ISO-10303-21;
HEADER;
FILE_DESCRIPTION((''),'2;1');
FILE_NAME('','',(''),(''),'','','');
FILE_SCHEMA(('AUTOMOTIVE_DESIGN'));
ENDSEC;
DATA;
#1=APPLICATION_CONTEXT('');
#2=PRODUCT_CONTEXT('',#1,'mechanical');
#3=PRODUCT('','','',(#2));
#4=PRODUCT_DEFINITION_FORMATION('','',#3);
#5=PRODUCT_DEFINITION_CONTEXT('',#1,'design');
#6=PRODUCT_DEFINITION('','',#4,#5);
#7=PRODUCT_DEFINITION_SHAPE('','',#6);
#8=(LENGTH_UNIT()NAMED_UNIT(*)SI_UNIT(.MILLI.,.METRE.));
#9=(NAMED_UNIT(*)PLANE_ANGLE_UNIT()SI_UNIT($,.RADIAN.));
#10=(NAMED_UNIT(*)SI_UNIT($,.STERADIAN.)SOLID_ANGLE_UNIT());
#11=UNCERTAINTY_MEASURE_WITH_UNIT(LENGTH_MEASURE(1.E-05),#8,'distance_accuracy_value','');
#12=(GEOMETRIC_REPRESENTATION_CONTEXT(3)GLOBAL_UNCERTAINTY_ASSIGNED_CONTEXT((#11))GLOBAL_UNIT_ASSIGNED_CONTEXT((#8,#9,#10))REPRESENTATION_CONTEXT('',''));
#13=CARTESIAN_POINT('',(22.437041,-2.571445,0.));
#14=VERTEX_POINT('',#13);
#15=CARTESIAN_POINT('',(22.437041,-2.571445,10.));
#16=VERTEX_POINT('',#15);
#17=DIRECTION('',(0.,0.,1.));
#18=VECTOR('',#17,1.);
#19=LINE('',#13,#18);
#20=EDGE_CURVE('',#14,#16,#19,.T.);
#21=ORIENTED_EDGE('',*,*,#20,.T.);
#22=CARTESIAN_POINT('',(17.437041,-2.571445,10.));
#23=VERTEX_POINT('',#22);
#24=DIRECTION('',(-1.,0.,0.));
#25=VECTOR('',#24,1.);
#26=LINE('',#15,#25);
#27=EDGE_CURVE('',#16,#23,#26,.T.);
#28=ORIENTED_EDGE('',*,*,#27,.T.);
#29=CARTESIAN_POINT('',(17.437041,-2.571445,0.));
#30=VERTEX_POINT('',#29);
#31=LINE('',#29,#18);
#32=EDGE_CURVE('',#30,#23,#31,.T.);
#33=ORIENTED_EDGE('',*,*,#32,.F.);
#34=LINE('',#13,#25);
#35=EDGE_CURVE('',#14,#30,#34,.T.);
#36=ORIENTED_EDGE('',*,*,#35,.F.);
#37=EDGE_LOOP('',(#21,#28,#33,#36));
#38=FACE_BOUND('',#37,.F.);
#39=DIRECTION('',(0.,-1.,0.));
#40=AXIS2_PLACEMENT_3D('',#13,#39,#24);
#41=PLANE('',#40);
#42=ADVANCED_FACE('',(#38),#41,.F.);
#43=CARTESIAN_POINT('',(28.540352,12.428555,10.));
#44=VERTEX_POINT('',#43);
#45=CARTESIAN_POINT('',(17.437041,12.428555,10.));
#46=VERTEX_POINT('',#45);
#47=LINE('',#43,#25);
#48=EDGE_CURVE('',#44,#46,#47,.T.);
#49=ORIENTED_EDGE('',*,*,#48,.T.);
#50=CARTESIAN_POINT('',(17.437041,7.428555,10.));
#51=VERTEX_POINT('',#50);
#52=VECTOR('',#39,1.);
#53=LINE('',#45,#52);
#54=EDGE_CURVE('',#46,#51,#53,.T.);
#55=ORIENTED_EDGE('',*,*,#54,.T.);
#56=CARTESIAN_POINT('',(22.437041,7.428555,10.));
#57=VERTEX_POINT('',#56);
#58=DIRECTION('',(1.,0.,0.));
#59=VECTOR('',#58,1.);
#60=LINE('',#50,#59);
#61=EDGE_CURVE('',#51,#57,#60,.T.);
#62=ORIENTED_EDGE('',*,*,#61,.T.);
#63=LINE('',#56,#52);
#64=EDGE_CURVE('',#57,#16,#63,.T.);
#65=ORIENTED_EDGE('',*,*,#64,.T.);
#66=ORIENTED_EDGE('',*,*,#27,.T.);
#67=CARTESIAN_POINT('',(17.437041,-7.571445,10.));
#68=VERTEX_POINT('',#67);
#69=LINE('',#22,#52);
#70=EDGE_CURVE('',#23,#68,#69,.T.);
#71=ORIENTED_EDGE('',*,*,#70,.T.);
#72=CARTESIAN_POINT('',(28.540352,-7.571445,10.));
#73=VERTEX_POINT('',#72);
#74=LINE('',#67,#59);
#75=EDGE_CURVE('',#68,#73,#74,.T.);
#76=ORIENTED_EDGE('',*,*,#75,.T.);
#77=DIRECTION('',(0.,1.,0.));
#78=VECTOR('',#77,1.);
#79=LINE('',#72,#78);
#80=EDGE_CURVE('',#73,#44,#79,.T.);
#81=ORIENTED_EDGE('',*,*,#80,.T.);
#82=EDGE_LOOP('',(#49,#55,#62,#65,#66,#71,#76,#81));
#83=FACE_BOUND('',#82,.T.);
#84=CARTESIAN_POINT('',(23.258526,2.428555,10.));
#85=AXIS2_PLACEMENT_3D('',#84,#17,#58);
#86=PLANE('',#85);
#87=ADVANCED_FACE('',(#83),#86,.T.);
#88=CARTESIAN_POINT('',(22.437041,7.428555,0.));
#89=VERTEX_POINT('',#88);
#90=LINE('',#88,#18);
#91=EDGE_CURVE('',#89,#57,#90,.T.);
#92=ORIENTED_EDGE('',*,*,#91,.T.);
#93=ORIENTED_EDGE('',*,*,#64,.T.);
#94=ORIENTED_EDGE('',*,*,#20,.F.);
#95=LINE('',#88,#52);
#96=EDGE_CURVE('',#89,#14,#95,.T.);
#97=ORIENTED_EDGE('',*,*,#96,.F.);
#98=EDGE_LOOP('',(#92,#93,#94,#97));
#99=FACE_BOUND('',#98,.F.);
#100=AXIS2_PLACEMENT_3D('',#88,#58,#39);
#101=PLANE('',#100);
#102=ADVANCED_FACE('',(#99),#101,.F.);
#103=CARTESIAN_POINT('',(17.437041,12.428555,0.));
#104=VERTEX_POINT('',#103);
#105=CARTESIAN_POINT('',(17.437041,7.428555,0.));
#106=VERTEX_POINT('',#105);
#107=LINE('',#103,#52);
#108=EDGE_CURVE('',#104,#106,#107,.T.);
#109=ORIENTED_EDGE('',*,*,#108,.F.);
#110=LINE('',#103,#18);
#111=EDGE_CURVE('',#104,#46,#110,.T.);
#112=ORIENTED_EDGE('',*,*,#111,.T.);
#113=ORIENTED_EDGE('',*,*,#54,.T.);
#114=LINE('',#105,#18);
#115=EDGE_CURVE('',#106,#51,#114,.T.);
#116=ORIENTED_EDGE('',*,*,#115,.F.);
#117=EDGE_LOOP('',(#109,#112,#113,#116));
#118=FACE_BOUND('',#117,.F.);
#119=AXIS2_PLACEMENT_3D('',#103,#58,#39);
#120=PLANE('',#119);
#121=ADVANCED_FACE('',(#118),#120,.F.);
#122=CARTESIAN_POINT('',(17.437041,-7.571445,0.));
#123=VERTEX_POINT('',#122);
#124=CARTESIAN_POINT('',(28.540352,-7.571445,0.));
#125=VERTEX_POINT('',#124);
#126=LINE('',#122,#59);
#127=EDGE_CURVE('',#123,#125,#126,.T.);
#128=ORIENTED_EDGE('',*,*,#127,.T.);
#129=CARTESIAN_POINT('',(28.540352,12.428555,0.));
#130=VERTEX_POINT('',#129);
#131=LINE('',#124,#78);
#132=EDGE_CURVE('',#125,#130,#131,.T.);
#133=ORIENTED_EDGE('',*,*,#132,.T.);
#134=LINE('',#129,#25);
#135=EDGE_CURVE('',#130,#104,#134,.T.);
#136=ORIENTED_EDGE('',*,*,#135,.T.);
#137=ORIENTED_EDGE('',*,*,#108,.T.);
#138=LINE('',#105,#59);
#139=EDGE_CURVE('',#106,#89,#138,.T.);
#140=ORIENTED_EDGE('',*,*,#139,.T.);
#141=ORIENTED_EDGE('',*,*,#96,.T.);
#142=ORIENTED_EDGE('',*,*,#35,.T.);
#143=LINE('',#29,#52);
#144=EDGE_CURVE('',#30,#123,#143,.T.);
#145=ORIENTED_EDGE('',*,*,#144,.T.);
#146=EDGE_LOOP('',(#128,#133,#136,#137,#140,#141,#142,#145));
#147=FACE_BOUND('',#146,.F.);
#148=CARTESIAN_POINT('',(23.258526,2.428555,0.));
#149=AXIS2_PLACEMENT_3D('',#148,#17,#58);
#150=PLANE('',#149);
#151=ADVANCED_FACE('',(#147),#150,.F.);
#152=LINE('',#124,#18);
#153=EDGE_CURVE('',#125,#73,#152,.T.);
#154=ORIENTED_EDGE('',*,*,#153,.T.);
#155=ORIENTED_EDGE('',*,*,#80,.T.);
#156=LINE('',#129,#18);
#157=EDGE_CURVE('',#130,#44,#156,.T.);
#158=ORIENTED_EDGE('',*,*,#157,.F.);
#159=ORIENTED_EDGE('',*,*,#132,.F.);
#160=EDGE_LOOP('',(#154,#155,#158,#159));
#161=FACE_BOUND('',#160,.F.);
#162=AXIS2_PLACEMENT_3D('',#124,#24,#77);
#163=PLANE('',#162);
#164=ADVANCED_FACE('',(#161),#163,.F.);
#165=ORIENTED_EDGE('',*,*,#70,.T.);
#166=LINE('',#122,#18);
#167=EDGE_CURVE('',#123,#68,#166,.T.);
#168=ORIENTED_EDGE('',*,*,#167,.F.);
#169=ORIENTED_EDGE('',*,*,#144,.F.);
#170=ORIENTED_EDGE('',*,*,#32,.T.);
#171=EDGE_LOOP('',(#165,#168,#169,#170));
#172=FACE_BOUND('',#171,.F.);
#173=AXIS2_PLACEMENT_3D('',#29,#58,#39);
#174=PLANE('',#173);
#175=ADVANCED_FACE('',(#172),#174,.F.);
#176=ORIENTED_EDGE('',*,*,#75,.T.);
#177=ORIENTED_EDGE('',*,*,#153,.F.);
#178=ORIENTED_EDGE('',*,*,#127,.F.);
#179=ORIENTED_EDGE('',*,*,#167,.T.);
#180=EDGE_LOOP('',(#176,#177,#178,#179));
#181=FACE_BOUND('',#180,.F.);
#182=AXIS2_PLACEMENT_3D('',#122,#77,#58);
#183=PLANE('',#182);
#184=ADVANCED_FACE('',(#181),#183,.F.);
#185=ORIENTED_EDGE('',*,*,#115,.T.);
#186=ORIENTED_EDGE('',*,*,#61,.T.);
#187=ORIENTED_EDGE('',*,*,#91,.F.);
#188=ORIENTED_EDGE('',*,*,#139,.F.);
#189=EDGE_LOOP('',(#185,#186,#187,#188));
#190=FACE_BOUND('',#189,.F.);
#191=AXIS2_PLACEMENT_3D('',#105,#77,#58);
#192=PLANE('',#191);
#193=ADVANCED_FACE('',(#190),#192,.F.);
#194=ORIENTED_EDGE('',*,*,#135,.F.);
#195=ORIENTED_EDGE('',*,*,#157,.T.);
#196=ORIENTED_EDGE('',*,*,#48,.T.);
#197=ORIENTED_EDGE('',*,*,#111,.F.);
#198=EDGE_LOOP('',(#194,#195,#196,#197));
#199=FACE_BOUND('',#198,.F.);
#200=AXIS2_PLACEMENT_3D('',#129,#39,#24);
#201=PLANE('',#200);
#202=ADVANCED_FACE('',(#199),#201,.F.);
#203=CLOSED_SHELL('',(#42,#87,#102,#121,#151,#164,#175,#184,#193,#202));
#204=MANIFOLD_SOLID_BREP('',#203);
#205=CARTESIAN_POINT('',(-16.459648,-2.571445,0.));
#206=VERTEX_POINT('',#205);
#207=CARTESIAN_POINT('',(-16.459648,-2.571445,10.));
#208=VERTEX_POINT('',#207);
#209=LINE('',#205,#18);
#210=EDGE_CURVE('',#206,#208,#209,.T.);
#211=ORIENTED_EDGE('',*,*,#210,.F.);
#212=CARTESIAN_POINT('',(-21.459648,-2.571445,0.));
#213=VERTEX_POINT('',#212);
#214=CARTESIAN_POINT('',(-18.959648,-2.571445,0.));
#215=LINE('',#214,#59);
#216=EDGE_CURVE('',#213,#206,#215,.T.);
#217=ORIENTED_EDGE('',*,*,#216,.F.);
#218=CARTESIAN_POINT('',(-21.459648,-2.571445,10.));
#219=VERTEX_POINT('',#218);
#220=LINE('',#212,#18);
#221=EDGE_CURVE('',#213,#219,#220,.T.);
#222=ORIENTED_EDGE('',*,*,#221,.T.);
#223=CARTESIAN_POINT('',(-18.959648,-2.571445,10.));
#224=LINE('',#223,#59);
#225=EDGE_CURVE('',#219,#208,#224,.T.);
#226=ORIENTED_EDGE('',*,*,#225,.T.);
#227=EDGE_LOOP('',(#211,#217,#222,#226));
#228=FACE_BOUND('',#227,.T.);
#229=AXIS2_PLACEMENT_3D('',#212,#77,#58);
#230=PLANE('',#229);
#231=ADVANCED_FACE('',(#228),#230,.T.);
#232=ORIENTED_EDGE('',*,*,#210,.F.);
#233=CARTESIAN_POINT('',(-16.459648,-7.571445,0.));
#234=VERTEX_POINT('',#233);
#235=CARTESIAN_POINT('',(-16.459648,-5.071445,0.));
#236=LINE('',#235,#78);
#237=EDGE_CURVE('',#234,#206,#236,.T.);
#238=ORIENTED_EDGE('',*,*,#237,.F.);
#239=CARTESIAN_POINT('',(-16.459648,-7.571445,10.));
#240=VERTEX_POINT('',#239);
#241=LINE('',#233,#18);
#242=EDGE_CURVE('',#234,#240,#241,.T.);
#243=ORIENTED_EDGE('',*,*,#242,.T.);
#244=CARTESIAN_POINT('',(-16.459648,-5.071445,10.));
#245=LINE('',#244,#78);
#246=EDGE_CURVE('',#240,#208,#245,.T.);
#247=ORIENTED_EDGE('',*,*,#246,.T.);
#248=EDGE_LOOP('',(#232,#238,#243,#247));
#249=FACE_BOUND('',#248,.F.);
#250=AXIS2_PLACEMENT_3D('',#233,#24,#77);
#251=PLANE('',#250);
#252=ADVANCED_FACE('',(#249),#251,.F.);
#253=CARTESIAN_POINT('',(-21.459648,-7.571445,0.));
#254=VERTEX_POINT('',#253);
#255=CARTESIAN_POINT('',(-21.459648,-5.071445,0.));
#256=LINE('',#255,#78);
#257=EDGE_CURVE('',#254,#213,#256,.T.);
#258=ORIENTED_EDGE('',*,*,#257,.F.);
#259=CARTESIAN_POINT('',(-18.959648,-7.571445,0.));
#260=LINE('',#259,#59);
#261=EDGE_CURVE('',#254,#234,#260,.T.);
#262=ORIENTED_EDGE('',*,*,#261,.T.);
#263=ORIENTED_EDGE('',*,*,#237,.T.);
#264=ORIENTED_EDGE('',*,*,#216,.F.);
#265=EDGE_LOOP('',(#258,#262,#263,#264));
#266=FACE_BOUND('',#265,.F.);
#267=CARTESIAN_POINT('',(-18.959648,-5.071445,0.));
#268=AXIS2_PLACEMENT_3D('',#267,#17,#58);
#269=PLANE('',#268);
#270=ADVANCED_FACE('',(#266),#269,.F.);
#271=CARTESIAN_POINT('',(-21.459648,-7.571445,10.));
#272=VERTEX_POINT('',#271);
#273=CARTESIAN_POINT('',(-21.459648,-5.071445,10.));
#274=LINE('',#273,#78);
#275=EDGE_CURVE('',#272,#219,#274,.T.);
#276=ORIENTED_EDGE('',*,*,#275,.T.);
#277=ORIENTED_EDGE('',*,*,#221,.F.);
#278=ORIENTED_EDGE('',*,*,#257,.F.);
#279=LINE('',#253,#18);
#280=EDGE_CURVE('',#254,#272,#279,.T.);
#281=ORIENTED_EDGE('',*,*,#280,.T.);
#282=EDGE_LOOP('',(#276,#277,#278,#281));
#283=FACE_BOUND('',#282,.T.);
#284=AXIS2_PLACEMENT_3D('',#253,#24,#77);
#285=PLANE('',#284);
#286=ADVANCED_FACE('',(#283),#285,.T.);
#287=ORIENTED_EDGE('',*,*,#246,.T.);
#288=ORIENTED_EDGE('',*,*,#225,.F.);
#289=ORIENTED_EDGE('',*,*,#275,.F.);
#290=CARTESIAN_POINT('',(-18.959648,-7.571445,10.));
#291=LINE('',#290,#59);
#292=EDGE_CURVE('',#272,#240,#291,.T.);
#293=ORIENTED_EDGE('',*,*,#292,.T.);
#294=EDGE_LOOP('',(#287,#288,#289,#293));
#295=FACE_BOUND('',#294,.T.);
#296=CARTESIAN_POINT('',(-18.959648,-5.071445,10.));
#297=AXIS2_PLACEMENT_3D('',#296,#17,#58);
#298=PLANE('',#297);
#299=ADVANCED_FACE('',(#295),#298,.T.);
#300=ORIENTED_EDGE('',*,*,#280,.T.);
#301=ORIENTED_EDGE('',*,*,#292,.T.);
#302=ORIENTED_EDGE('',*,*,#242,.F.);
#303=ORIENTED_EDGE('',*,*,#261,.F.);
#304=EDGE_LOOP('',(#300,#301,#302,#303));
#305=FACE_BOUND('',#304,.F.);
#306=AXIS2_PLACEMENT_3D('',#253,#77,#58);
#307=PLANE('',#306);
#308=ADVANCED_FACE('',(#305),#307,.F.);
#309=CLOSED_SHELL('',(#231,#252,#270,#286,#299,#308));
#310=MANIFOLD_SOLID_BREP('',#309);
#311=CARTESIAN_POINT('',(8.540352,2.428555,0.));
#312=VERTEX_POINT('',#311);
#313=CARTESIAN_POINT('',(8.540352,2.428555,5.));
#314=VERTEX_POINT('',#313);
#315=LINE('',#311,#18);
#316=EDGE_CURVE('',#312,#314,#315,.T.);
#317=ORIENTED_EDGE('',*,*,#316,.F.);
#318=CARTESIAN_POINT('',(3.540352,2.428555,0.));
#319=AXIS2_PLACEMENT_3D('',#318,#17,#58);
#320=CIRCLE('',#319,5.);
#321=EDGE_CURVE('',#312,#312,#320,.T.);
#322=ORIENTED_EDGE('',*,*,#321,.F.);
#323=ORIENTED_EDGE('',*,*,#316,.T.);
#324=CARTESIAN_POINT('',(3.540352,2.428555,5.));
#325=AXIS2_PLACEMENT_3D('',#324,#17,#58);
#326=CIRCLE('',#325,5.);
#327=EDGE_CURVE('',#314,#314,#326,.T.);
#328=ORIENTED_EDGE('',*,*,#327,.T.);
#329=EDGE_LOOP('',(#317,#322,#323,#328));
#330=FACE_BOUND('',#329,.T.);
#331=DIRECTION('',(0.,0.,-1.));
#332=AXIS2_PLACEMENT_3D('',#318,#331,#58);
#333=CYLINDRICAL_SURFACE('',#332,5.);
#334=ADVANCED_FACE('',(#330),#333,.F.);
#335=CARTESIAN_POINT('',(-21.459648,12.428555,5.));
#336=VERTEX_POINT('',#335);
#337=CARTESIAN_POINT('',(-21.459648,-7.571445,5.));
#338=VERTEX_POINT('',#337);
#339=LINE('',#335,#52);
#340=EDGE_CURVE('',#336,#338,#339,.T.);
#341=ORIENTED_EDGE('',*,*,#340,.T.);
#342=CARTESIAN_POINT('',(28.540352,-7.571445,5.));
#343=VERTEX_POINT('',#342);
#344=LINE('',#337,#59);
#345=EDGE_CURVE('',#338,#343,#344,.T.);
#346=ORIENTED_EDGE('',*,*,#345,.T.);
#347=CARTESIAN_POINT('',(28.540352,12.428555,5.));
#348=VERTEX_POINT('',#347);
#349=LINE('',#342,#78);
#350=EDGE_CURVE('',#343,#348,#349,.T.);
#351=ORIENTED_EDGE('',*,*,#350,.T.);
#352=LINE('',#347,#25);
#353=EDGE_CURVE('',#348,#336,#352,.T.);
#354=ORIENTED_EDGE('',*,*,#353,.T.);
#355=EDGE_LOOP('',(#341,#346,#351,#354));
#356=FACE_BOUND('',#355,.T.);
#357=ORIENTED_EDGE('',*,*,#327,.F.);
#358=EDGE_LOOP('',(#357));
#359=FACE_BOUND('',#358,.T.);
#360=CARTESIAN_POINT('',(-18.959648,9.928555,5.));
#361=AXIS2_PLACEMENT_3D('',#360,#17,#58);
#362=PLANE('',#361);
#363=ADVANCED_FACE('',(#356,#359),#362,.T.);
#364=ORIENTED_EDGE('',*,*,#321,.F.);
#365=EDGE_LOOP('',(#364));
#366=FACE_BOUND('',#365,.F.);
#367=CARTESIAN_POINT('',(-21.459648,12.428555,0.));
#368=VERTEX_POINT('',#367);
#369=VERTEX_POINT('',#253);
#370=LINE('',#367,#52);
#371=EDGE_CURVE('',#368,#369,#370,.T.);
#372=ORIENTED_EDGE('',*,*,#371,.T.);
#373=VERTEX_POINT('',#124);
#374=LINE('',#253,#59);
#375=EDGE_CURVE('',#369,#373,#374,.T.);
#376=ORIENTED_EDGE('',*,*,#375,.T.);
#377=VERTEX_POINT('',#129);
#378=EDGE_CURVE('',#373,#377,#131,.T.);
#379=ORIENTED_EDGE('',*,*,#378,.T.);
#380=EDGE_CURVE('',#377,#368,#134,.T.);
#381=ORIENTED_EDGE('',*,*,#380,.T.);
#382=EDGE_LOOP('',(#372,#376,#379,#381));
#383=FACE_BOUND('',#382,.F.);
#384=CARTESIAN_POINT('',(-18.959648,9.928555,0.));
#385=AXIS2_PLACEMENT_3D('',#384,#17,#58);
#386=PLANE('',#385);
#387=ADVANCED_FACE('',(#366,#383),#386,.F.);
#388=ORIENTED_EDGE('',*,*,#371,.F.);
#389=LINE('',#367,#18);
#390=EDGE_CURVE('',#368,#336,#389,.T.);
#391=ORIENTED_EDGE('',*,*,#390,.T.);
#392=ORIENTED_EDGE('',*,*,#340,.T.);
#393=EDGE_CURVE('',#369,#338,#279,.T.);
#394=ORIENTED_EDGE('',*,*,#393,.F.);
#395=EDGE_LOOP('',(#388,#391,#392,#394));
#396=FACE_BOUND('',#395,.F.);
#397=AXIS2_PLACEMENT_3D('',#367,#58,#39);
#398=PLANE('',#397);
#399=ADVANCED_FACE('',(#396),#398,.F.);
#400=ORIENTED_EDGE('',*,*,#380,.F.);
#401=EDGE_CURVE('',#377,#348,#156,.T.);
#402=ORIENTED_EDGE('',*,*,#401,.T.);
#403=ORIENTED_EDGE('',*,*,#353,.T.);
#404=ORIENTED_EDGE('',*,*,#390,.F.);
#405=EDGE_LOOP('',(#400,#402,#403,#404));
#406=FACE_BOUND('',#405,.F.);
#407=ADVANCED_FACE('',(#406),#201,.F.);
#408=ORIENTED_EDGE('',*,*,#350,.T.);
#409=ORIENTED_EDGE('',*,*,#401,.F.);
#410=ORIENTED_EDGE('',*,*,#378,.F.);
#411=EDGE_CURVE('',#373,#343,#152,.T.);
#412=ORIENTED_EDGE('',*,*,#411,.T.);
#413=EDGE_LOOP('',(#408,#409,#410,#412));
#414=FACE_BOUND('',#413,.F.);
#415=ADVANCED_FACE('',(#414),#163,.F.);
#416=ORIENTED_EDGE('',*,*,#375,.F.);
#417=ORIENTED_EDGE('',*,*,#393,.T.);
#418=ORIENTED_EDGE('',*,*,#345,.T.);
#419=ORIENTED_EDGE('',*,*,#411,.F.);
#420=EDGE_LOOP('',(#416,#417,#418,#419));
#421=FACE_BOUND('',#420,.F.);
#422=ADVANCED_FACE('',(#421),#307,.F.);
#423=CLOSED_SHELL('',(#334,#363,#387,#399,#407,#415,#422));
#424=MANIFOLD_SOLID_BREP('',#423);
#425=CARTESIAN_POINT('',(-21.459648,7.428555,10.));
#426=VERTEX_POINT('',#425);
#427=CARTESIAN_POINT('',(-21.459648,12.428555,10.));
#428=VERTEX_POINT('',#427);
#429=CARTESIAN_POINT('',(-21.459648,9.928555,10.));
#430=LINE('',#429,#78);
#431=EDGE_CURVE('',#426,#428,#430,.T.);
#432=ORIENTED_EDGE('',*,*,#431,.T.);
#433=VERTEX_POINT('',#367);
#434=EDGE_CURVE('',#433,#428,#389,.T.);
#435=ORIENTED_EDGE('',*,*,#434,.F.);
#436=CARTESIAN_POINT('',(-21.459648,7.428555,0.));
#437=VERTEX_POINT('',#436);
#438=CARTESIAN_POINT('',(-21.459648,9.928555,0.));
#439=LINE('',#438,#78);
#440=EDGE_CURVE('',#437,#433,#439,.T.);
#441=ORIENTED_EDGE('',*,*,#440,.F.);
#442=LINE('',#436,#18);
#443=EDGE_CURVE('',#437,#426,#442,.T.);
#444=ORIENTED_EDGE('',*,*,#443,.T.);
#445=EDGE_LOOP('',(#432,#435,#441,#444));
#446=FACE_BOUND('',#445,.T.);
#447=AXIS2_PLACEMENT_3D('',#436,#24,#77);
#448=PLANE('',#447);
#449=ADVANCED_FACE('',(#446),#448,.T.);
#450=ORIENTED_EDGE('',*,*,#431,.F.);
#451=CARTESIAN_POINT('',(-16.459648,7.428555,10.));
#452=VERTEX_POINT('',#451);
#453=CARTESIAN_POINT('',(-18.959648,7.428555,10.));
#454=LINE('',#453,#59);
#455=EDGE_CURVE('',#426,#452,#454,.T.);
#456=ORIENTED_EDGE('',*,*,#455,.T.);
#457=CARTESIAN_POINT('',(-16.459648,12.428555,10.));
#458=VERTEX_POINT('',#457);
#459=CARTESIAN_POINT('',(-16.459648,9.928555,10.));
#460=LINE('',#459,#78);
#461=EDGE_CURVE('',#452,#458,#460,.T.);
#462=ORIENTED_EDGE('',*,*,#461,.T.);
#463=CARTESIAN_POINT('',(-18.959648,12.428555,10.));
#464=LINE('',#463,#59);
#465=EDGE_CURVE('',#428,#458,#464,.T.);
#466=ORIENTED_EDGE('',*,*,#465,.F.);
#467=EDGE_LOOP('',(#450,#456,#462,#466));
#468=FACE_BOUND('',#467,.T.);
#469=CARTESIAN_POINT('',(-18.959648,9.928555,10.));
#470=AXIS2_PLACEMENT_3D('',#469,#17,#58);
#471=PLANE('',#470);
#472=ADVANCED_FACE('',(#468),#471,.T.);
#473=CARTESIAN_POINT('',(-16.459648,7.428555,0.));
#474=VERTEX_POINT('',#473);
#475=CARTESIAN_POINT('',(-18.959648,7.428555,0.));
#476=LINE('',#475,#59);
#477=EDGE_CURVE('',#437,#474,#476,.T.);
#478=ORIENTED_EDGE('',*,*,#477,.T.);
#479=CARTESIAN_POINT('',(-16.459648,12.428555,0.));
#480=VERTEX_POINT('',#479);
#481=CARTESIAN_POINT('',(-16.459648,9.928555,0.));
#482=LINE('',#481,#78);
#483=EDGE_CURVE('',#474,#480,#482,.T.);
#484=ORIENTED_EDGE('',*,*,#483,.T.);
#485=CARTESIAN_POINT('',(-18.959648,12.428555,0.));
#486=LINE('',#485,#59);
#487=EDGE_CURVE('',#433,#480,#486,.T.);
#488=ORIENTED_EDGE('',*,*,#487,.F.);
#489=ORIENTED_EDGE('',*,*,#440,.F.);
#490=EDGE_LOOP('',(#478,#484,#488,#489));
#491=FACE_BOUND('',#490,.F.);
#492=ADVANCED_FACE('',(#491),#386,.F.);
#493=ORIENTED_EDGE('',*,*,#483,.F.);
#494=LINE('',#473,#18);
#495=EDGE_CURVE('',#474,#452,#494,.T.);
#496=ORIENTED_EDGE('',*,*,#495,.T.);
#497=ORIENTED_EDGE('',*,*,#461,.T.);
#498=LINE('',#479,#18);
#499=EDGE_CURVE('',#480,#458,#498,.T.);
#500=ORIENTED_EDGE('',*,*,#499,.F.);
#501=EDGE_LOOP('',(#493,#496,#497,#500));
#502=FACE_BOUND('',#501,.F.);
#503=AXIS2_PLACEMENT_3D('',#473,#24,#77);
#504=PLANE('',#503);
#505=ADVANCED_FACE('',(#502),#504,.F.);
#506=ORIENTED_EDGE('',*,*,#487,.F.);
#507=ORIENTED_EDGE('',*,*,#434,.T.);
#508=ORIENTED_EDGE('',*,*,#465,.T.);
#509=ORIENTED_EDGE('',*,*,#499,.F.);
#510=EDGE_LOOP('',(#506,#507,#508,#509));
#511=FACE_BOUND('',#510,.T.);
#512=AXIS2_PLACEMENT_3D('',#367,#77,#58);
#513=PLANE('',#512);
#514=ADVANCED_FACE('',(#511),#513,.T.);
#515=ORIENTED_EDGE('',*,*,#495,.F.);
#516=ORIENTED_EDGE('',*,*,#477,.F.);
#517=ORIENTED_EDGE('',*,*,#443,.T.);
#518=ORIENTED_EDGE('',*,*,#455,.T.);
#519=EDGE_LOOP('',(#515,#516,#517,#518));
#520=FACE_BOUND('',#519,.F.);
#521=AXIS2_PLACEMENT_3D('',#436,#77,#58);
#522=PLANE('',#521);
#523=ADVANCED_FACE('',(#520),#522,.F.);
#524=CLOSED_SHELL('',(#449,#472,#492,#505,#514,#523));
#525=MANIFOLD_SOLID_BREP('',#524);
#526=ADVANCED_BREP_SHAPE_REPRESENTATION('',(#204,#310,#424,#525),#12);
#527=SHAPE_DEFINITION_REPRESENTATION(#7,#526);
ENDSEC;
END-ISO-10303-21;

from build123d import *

# Parameters (mm, degrees)
F0_W     = 5
F0_H     = 5
F1_DEPTH = 10
F0_R     = 5
F2_DEPTH = 5


with BuildPart() as f1:
    # F0 (on Top) → F1 (new body)
    with BuildSketch(Plane.XY):
        with Locations((-18.959648, 9.928555)):
            Rectangle(F0_W, F0_H)
        Polygon((28.540352, 12.428555), (17.437041, 12.428555), (17.437041, 7.428555), (22.437041, 7.428555), (22.437041, -2.571445), (17.437041, -2.571445), (17.437041, -7.571445), (28.540352, -7.571445), align=None)
        with Locations((-18.959648, -5.071445)):
            Rectangle(F0_W, F0_H)
    extrude(amount=F1_DEPTH)


with BuildPart() as f2:
    # F0 (on Top) → F2 (new body)
    with BuildSketch(Plane.XY):
        with Locations((-18.959648, 9.928555)):
            Rectangle(F0_W, F0_H)
        Polygon((17.437041, 12.428555), (-16.459648, 12.428555), (-16.459648, 7.428555), (-21.459648, 7.428555), (-21.459648, -2.571445), (-16.459648, -2.571445), (-16.459648, -7.571445), (17.437041, -7.571445), (17.437041, -2.571445), (22.437041, -2.571445), (22.437041, 7.428555), (17.437041, 7.428555), align=None)
        with Locations((3.540352, 2.428555)):
            Circle(F0_R, mode=Mode.SUBTRACT)
        Polygon((28.540352, 12.428555), (17.437041, 12.428555), (17.437041, 7.428555), (22.437041, 7.428555), (22.437041, -2.571445), (17.437041, -2.571445), (17.437041, -7.571445), (28.540352, -7.571445), align=None)
        with Locations((-18.959648, -5.071445)):
            Rectangle(F0_W, F0_H)
    extrude(amount=F2_DEPTH)


solid = Compound([f1.part, f2.part])
